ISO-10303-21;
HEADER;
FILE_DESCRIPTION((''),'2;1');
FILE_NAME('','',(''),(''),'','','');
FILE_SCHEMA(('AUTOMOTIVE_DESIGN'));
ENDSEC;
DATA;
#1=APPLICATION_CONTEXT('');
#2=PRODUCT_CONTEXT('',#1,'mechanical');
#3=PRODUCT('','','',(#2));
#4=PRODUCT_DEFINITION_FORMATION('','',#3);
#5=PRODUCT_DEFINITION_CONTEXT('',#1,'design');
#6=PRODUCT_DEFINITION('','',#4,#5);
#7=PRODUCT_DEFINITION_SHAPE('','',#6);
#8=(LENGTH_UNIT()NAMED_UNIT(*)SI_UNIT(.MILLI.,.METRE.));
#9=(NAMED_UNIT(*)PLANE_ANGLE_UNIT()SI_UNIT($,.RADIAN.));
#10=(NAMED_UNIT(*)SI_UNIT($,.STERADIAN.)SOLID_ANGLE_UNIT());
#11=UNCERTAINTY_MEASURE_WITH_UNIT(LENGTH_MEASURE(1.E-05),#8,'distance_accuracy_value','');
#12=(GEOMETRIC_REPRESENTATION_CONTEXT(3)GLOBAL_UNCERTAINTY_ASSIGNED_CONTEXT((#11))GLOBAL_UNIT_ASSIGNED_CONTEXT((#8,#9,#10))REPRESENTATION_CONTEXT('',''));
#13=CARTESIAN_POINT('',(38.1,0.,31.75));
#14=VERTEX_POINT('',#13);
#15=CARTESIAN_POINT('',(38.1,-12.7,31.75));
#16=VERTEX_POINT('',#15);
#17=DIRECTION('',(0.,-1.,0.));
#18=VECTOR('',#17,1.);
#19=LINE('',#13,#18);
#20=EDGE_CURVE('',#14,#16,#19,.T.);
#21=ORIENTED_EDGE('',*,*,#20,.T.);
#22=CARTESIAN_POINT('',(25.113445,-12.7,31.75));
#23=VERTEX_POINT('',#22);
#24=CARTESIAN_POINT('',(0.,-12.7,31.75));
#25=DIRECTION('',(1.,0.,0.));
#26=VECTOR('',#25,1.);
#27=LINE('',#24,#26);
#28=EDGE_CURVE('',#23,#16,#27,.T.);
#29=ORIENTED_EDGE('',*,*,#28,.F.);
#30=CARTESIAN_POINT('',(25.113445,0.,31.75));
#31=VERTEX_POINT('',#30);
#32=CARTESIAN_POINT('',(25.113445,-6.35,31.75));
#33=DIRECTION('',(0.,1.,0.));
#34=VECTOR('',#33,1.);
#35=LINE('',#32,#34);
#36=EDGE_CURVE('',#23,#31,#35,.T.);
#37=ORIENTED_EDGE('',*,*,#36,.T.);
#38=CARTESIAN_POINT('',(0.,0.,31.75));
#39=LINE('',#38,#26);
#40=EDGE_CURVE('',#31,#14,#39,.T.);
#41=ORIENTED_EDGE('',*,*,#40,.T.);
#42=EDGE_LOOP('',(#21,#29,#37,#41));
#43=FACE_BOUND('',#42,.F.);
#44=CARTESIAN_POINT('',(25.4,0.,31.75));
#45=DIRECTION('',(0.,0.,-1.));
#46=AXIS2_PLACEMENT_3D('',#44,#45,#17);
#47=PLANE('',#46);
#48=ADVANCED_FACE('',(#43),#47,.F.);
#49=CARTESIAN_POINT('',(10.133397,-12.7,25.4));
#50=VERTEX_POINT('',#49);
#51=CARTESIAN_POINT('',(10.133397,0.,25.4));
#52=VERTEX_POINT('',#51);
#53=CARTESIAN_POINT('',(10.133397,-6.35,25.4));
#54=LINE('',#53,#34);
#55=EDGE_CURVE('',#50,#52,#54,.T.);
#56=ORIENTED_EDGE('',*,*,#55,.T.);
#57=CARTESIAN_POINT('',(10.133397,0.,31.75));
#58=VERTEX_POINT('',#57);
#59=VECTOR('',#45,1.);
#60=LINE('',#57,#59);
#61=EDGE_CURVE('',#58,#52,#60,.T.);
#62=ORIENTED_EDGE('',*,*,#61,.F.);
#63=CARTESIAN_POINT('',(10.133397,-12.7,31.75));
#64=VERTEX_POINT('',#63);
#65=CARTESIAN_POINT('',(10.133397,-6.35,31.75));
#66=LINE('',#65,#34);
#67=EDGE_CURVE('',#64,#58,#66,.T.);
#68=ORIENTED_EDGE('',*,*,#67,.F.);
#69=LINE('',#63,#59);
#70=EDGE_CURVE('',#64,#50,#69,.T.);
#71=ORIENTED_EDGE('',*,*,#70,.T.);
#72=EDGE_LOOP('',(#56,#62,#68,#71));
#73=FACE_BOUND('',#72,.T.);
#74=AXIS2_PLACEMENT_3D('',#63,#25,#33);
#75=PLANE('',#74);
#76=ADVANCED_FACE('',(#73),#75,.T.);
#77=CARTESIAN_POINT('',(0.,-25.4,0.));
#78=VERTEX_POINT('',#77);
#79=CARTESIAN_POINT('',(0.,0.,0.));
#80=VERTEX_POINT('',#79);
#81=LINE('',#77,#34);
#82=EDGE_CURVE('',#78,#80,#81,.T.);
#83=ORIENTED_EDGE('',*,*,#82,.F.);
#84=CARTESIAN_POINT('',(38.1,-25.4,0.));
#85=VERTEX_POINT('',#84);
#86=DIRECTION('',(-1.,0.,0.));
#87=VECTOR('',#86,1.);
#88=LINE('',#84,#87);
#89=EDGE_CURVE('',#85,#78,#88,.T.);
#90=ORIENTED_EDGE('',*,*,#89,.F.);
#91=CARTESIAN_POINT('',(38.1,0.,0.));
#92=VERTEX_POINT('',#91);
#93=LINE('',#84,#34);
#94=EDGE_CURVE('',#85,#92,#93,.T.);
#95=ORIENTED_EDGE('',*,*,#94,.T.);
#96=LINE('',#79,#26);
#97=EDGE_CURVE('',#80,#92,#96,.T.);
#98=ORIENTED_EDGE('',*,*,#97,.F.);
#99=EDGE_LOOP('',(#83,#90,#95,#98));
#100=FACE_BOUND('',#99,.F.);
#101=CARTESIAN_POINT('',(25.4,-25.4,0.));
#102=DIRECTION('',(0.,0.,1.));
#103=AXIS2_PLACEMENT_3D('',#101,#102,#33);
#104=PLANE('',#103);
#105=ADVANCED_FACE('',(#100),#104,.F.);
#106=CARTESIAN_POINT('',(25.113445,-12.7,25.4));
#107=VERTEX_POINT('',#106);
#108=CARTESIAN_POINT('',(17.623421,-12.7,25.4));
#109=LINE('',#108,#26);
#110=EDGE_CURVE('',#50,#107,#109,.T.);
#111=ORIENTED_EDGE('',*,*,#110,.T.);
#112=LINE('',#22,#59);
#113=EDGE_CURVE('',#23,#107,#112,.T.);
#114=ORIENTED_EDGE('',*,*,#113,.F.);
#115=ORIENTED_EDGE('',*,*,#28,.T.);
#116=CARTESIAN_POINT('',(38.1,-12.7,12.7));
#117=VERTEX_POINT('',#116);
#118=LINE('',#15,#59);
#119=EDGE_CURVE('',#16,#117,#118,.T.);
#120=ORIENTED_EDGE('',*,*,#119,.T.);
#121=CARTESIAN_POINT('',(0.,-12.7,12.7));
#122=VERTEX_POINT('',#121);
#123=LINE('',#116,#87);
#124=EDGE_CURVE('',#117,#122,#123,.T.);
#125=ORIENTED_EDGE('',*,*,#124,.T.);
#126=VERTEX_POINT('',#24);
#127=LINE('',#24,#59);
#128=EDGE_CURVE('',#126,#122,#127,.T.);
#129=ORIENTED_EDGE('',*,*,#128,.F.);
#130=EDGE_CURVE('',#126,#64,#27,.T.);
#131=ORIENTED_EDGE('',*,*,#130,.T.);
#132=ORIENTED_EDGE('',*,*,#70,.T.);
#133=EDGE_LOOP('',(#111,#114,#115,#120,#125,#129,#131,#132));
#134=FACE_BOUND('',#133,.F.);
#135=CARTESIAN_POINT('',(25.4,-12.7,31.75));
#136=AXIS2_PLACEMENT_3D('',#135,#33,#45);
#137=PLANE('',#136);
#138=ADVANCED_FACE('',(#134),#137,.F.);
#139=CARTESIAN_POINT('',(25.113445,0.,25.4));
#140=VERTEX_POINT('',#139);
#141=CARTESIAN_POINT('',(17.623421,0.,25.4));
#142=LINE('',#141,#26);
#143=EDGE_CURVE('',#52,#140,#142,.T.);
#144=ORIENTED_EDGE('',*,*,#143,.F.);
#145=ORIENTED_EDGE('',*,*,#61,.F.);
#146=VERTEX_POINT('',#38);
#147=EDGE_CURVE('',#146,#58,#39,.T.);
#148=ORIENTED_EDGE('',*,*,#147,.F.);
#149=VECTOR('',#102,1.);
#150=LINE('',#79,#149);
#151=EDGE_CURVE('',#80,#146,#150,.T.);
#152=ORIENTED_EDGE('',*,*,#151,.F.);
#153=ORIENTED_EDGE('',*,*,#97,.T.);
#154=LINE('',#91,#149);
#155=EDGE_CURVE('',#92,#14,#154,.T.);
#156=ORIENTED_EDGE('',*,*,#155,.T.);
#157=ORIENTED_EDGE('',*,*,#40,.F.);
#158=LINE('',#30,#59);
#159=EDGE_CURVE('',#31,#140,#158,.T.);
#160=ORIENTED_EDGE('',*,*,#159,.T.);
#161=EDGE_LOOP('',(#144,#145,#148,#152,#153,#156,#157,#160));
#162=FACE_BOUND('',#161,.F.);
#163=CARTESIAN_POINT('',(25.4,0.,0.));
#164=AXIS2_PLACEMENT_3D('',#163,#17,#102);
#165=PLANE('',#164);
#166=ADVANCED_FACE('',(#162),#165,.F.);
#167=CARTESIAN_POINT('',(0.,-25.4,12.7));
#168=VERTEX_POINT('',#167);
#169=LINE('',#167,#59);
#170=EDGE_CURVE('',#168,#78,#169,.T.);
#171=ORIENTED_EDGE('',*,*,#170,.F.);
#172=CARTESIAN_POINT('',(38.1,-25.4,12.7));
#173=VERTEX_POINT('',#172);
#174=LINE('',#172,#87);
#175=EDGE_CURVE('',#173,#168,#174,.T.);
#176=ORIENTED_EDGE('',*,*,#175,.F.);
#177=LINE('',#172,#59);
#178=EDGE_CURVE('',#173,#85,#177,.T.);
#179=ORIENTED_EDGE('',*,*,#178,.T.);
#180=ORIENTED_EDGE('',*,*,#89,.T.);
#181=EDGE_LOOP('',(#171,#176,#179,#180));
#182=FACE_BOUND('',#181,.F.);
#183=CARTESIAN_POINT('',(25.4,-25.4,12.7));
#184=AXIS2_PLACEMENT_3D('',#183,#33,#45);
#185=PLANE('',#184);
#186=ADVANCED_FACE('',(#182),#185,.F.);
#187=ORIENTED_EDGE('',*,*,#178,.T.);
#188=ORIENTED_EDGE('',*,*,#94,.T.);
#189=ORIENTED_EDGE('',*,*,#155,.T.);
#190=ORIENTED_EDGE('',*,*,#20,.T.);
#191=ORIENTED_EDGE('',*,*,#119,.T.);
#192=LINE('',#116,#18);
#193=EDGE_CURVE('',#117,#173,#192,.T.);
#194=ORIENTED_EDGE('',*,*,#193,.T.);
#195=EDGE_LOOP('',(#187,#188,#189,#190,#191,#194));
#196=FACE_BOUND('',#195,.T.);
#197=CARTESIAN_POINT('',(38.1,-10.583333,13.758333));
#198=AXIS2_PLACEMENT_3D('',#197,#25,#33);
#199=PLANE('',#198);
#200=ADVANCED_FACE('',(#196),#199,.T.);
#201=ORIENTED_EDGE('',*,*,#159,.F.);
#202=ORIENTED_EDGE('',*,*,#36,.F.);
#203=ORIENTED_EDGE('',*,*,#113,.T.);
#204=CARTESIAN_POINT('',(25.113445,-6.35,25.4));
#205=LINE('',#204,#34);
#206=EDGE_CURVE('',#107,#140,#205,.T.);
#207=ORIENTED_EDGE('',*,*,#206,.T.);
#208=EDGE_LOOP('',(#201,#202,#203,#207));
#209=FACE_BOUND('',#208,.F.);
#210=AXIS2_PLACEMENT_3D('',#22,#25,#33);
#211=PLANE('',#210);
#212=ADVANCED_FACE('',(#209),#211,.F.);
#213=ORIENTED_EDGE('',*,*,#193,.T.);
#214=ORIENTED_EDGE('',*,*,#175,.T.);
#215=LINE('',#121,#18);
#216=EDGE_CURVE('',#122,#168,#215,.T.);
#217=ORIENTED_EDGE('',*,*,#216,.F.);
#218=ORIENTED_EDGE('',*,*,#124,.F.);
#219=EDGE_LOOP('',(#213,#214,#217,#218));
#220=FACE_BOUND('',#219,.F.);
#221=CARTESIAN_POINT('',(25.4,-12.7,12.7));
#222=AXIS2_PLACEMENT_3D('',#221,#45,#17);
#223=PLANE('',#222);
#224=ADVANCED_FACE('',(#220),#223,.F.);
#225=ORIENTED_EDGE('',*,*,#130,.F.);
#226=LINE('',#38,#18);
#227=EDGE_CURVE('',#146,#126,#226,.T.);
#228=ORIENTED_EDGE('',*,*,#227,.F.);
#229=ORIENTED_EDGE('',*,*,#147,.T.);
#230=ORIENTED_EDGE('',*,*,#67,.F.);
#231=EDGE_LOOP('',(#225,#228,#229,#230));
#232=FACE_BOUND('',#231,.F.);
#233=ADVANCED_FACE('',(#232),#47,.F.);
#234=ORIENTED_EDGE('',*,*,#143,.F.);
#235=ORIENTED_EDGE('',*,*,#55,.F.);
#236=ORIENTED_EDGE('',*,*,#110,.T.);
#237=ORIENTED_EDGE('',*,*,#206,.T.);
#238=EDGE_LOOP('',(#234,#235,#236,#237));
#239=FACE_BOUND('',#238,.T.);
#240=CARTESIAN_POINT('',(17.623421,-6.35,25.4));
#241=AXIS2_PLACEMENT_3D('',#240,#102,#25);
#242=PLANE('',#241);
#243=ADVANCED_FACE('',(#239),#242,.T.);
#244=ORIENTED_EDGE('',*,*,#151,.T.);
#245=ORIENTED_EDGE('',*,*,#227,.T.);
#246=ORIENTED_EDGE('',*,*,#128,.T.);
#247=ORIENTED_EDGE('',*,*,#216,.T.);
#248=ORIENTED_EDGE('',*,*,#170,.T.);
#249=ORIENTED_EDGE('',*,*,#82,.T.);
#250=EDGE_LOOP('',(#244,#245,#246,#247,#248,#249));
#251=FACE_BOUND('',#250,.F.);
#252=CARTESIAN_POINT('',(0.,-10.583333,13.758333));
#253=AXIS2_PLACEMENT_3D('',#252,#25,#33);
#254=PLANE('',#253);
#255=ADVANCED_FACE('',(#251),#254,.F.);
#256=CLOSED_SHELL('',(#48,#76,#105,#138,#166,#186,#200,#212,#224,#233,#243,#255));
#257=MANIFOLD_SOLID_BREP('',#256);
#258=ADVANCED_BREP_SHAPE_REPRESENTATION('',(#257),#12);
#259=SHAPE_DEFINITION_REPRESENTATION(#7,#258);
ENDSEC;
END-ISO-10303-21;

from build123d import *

# Parameters (mm, degrees)
F1_DEPTH = 25.4
F2_DEPTH = 12.7
F3_W     = 14.980048
F3_H     = 12.7
F4_DEPTH = 6.35


with BuildPart() as f1:
    # F0 (on Right) → F1 (new body)
    with BuildSketch(Plane.YZ):
        Polygon((-25.4, 0), (0, 0), (0, 31.75), (-12.7, 31.75), (-12.7, 12.7), (-25.4, 12.7), align=None)
    extrude(amount=F1_DEPTH)

    # F1_face (on face) → F2 (join)
    with BuildSketch(Plane(origin=(25.4, -9.978571, 13.153571), x_dir=(0, 1, 0), z_dir=(1, 0, 0))):
        Polygon((-15.421429, -13.153571), (9.978571, -13.153571), (9.978571, 18.596429), (-2.721429, 18.596429), (-2.721429, -0.453571), (-15.421429, -0.453571), align=None)
    extrude(amount=F2_DEPTH)

    # F3 (on face) → F4 (cut)
    with BuildSketch(Plane.XY.offset(31.75)):
        with Locations((17.623421, -6.35)):
            Rectangle(F3_W, F3_H)
    extrude(amount=-F4_DEPTH, mode=Mode.SUBTRACT)


solid = f1.part
